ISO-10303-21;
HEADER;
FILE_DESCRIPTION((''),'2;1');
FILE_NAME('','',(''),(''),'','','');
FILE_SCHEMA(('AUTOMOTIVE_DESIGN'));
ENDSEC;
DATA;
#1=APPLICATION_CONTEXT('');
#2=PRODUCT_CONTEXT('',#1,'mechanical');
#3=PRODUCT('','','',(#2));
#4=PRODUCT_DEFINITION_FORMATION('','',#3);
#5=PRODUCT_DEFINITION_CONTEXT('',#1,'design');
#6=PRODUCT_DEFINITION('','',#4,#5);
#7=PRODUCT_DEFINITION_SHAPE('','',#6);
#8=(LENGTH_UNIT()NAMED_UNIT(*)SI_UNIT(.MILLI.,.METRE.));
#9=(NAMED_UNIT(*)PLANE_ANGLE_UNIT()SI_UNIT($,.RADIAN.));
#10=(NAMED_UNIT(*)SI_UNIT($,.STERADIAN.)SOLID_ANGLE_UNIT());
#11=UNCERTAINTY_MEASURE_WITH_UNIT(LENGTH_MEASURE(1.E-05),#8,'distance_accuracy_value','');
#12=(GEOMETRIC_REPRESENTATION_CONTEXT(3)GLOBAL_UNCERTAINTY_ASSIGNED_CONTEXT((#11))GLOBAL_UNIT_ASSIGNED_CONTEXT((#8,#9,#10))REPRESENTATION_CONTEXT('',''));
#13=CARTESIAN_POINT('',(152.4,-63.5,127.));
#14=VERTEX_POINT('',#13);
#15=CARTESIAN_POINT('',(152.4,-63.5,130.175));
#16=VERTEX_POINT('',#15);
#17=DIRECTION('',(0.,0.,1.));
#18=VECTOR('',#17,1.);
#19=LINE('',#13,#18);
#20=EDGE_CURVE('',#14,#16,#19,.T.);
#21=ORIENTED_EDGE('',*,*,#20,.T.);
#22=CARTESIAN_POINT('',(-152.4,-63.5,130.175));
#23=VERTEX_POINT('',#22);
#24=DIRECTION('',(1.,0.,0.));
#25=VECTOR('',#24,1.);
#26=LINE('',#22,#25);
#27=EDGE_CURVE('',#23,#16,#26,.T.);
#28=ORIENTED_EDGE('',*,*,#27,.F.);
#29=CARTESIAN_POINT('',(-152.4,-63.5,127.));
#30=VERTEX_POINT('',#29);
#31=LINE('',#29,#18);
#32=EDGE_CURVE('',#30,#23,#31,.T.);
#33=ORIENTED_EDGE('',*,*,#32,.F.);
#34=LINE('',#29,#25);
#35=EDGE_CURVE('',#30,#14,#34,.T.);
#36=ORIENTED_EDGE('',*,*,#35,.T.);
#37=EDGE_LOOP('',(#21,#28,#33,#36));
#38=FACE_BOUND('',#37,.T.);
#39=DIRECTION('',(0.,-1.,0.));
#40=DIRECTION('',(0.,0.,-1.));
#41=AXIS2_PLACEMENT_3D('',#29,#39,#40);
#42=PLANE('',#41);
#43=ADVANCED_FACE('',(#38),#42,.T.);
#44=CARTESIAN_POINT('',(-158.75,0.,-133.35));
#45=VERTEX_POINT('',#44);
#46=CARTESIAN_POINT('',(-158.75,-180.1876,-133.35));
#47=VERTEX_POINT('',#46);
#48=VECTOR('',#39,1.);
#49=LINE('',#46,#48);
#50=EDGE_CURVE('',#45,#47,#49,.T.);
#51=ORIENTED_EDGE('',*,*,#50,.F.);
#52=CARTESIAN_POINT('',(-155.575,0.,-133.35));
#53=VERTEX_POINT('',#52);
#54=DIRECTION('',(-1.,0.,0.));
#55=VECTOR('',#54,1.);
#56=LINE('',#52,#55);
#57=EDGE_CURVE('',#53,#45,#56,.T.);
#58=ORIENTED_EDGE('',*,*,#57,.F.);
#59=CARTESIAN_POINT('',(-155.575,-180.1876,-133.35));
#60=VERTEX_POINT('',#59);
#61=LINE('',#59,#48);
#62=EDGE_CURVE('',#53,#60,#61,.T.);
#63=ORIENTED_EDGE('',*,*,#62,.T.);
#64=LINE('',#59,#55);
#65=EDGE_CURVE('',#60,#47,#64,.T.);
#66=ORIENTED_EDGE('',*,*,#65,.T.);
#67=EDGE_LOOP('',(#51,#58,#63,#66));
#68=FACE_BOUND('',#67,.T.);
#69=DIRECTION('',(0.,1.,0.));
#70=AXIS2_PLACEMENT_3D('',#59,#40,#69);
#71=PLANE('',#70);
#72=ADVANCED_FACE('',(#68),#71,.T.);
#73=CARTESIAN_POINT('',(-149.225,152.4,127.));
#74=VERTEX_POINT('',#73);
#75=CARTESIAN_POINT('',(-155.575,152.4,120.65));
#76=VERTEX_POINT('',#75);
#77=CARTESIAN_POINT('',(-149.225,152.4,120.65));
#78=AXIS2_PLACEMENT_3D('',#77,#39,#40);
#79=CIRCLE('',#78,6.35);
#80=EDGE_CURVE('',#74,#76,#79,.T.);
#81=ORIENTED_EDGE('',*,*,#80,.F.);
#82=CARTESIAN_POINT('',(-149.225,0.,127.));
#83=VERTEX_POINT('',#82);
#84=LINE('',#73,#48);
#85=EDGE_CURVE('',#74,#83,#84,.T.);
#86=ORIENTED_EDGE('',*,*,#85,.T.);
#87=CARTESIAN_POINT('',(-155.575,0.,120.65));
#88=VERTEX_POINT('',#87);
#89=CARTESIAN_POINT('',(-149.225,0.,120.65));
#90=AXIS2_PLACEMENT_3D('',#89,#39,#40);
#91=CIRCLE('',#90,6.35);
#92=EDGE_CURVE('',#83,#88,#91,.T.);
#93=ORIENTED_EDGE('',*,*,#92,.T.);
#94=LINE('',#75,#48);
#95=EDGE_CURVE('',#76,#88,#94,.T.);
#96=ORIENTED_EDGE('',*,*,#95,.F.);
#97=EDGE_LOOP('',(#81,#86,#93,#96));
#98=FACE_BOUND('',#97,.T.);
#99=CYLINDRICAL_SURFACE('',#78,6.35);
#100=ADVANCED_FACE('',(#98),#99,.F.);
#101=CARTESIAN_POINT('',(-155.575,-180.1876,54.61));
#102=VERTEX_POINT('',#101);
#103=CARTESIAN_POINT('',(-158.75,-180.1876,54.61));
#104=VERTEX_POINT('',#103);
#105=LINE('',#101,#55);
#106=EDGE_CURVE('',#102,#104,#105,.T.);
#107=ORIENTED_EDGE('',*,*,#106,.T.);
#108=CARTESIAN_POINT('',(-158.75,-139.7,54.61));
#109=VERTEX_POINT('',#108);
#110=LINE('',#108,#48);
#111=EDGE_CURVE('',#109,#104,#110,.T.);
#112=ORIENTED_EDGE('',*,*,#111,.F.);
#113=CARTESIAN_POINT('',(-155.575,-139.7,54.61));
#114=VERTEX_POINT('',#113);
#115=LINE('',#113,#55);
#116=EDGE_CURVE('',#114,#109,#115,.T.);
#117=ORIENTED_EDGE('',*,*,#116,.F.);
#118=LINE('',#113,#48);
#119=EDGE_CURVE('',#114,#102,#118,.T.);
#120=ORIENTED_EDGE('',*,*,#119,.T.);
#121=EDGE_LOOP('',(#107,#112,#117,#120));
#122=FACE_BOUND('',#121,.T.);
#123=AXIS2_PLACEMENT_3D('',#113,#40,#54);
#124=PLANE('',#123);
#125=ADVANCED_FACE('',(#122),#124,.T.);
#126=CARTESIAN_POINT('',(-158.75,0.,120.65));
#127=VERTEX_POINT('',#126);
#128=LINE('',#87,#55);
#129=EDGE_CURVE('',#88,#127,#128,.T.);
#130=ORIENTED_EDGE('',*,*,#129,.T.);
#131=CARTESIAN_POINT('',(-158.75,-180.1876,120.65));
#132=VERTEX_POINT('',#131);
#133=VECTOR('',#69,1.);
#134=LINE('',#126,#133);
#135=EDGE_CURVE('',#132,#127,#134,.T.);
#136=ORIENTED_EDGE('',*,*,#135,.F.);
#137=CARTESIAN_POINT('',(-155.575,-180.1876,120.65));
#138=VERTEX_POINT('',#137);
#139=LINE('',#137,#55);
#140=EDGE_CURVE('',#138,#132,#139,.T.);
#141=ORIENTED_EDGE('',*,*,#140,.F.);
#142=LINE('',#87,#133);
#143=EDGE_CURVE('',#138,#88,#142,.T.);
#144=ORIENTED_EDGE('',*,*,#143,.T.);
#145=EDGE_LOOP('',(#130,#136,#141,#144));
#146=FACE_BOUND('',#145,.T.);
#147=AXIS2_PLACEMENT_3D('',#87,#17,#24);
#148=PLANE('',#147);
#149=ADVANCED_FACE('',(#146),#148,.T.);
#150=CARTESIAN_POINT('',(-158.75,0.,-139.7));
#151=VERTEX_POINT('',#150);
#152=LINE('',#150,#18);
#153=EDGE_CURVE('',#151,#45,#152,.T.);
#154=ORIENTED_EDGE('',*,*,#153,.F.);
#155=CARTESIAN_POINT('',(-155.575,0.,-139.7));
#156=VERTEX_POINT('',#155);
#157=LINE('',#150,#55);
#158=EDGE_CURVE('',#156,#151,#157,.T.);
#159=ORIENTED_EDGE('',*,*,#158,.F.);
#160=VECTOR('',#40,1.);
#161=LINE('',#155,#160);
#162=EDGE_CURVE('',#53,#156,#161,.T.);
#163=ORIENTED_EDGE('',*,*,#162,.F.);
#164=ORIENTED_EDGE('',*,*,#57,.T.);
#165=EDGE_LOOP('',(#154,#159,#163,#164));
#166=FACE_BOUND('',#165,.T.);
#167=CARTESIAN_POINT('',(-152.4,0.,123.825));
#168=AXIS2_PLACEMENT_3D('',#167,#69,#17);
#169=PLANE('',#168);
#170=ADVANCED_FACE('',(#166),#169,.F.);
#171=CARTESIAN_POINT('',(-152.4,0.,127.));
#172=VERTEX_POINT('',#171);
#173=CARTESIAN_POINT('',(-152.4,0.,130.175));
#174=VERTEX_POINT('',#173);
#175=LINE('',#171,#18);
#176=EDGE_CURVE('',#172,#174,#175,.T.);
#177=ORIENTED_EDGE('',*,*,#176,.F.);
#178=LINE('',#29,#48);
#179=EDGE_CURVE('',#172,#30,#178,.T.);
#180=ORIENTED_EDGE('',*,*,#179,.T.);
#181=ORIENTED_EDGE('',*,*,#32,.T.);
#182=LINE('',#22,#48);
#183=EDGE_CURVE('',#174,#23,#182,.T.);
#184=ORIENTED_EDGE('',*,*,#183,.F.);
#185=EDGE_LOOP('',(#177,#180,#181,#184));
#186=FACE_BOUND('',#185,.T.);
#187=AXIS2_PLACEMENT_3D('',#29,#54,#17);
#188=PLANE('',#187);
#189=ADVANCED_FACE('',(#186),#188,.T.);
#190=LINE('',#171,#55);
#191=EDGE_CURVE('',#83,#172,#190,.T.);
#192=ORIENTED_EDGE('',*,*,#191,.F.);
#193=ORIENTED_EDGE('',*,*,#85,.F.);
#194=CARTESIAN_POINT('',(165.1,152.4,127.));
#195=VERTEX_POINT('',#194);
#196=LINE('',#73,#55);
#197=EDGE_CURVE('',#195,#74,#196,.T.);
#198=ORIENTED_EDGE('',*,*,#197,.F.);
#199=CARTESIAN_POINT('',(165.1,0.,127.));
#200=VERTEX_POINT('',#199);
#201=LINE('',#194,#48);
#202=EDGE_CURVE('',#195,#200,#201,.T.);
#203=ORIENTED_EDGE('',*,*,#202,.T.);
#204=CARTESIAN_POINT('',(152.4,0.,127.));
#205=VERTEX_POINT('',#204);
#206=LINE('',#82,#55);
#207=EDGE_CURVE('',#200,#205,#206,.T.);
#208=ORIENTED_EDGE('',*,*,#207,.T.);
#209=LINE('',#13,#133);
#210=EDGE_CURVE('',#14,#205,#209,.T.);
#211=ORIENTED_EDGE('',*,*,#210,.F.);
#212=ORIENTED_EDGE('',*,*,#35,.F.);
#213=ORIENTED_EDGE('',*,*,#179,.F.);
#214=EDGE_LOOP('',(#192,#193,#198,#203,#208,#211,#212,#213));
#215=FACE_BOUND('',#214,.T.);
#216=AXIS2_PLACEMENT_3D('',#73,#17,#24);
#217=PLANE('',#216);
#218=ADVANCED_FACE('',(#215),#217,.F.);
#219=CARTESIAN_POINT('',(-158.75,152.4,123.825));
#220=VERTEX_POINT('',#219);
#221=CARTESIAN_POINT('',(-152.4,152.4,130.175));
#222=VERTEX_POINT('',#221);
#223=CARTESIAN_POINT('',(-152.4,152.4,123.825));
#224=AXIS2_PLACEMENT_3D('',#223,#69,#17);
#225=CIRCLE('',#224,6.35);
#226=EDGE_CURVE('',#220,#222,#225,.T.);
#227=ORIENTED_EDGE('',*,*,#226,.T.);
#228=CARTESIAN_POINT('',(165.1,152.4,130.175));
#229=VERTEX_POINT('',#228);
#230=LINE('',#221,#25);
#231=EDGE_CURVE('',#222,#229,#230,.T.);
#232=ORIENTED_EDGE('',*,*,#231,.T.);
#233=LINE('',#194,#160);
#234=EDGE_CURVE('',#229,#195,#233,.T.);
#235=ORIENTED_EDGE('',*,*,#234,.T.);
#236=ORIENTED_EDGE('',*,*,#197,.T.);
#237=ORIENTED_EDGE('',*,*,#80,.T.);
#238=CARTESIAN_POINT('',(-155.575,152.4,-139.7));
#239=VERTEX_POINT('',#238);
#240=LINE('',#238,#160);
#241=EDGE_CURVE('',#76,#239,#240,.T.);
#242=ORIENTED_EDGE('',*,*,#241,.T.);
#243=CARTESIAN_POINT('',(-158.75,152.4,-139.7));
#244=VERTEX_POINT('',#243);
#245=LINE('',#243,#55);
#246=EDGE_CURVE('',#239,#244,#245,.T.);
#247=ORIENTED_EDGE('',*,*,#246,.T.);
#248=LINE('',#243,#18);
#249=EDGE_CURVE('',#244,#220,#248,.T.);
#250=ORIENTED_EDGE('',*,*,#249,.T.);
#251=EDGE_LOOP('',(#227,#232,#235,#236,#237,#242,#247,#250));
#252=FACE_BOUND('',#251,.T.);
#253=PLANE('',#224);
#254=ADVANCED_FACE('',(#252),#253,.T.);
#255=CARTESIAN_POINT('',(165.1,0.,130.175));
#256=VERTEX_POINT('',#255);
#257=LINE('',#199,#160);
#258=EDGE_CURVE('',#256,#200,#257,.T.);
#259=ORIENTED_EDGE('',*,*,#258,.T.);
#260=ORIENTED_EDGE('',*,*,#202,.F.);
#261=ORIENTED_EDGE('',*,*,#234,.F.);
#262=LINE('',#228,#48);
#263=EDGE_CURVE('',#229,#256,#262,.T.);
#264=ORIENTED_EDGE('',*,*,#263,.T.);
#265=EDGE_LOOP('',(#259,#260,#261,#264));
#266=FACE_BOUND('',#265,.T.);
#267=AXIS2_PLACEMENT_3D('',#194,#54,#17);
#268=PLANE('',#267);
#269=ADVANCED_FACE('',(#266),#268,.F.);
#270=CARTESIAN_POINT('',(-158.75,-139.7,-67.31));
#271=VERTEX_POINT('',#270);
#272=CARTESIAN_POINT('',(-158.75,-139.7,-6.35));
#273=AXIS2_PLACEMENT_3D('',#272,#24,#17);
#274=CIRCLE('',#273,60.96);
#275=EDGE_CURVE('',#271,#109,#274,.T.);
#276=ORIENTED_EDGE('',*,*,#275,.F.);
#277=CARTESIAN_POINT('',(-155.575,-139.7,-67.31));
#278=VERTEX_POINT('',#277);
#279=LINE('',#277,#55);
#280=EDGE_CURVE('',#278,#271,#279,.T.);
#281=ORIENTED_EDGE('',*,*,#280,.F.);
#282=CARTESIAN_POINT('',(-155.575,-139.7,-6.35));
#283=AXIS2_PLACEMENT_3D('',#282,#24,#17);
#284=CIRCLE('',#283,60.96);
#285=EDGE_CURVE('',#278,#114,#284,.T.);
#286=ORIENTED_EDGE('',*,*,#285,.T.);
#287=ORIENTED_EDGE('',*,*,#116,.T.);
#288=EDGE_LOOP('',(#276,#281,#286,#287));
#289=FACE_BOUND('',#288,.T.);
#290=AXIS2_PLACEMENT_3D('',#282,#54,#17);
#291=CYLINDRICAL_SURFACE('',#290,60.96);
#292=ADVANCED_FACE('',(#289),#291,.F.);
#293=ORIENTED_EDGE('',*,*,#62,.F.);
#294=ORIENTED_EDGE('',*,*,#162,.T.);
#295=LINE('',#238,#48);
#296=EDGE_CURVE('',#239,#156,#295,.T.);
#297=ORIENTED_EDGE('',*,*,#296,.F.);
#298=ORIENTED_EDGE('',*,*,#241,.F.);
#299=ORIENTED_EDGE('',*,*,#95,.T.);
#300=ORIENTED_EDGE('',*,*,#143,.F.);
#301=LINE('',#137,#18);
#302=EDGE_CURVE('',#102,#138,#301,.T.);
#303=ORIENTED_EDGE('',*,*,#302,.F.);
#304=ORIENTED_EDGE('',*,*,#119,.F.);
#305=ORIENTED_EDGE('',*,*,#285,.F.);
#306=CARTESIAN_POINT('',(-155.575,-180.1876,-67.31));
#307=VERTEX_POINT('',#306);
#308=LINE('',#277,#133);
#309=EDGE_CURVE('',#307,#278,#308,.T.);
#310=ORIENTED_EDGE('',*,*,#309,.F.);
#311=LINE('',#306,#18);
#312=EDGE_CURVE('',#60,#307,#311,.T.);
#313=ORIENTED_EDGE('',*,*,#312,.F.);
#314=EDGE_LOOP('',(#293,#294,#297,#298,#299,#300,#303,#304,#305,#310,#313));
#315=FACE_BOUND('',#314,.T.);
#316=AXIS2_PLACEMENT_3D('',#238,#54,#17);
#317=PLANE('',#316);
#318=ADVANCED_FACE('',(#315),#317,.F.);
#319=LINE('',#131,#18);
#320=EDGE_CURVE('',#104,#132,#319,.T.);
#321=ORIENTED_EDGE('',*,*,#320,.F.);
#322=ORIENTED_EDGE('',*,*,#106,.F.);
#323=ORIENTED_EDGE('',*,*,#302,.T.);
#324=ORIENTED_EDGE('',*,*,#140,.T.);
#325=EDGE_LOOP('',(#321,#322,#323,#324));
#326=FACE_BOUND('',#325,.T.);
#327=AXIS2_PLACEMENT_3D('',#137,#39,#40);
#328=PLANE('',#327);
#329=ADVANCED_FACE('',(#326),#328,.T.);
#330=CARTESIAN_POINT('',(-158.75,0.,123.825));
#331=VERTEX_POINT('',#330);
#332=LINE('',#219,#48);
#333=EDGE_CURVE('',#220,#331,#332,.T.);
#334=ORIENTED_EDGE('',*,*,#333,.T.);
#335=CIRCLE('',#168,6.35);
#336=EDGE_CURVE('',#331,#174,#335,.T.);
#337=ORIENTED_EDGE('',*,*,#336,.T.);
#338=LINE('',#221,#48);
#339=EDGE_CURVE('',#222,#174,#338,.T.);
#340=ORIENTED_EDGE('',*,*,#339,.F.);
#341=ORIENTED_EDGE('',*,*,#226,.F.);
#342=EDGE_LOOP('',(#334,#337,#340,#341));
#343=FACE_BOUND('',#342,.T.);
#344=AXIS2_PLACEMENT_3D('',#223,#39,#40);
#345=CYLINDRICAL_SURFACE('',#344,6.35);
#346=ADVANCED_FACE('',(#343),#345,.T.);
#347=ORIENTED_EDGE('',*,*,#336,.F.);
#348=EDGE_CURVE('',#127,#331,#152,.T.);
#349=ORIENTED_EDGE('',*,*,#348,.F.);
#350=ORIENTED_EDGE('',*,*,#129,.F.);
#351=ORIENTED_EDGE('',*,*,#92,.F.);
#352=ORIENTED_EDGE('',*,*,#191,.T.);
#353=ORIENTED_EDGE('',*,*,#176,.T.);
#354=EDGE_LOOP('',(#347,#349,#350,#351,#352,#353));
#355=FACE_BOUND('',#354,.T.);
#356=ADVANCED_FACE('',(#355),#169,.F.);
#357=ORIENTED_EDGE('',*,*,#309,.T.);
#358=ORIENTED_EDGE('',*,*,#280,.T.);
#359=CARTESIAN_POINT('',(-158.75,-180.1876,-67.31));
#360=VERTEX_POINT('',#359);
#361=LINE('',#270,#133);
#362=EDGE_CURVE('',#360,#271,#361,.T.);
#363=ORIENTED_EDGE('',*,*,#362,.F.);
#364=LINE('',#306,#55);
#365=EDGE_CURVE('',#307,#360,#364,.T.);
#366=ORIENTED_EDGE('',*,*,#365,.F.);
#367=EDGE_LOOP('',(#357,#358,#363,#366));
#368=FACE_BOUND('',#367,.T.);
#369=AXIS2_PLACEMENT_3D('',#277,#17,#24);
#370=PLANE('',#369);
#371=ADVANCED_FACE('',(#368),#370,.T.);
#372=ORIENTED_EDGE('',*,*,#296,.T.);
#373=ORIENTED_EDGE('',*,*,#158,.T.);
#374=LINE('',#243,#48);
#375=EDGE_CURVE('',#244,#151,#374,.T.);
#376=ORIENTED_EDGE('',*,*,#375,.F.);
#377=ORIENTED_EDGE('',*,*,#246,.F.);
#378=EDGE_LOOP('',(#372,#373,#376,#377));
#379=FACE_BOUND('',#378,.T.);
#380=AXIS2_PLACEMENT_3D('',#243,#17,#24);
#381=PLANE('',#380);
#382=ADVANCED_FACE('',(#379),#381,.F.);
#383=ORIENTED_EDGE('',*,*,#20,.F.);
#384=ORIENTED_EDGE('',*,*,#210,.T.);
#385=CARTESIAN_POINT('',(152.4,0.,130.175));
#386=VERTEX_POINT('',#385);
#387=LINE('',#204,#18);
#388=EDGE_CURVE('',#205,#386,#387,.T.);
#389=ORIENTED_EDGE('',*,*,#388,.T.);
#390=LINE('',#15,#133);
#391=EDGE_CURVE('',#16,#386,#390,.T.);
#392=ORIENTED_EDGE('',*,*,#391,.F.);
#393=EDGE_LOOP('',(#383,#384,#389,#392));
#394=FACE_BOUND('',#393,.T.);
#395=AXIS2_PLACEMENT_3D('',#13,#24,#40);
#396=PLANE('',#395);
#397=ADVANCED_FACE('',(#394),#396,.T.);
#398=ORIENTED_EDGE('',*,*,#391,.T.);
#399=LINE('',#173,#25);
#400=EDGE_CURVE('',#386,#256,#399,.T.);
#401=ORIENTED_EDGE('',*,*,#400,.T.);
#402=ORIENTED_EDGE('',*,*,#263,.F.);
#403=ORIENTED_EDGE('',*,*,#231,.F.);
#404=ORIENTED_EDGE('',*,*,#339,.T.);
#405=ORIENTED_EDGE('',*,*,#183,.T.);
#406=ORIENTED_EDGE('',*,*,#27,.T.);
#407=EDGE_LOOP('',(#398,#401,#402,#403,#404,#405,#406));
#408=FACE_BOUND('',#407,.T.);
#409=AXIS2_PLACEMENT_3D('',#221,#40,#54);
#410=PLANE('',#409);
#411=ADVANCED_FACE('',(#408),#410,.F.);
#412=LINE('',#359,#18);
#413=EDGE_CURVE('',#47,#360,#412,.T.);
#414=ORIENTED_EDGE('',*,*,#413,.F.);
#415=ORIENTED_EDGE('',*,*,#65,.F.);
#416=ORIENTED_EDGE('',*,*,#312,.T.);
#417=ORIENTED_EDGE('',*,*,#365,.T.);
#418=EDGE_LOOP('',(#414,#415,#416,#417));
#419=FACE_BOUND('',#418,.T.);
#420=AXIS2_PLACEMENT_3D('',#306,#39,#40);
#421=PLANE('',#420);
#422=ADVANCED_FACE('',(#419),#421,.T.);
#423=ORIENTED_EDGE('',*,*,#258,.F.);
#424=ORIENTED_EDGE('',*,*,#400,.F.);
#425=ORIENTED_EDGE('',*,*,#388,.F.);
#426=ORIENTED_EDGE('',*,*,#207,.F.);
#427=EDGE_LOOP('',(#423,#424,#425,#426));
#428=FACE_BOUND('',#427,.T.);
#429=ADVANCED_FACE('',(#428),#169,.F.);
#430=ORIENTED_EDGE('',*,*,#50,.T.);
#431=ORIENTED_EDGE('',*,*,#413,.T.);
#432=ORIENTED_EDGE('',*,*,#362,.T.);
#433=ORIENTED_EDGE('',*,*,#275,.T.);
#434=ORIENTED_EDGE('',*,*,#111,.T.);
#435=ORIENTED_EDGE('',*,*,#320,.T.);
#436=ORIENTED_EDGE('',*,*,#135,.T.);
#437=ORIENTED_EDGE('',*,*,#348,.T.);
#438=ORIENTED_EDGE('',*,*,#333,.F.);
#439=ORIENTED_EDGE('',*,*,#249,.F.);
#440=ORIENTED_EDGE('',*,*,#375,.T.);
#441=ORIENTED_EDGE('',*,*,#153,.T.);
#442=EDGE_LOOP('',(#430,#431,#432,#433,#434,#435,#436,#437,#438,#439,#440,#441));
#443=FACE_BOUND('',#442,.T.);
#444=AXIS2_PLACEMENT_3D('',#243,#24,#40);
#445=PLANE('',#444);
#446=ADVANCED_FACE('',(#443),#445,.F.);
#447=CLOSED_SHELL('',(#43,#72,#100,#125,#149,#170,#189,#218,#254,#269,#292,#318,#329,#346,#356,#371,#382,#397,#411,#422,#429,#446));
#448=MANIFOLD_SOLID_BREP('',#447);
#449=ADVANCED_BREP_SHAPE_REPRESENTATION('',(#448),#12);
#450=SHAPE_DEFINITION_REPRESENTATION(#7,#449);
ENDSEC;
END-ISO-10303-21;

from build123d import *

# Parameters (mm, degrees)
BOSS_EXTRUDE2_DEPTH = 152.4
SKETCH5_W           = 304.8
SKETCH5_H           = 63.5
BOSS_EXTRUDE3_DEPTH = 3.175
BOSS_EXTRUDE4_DEPTH = 3.175


with BuildPart() as part:
    # Sketch4 → Boss-Extrude2 (new body)
    with BuildSketch(Plane(origin=(0, 0, 0), x_dir=(1, 0, 0), z_dir=(0, 1, 0))):
        with BuildLine():
            Line((-149.225, -127), (165.1, -127))
            Line((165.1, -127), (165.1, -130.175))
            Line((165.1, -130.175), (-152.4, -130.175))
            ThreePointArc((-152.4, -130.175), (-156.890128061, -128.315128061), (-158.75, -123.825))
            Line((-158.75, -123.825), (-158.75, 139.7))
            Line((-158.75, 139.7), (-155.575, 139.7))
            Line((-155.575, 139.7), (-155.575, -120.65))
            ThreePointArc((-155.575, -120.65), (-153.715128061, -125.140128061), (-149.225, -127))
        make_face()
    extrude(amount=BOSS_EXTRUDE2_DEPTH)

    # Sketch5 → Boss-Extrude3 (add)
    with BuildSketch(Plane.XY.offset(130.175)):
        with Locations((0, -31.75)):
            Rectangle(SKETCH5_W, SKETCH5_H)
    extrude(amount=-BOSS_EXTRUDE3_DEPTH)

    # Sketch6 → Boss-Extrude4 (add)
    with BuildSketch(Plane.ZY.offset(158.75)):
        with BuildLine():
            Line((-133.35, -180.1876), (-133.35, 0))
            Line((-133.35, 0), (120.65, 0))
            Line((120.65, 0), (120.65, -180.1876))
            Line((120.65, -180.1876), (54.61, -180.1876))
            Line((54.61, -180.1876), (54.61, -139.7))
            ThreePointArc((54.61, -139.7), (-6.35, -78.74), (-67.31, -139.7))
            Line((-67.31, -139.7), (-67.31, -180.1876))
            Line((-67.31, -180.1876), (-133.35, -180.1876))
        make_face()
    extrude(amount=-BOSS_EXTRUDE4_DEPTH)


solid = part.part
